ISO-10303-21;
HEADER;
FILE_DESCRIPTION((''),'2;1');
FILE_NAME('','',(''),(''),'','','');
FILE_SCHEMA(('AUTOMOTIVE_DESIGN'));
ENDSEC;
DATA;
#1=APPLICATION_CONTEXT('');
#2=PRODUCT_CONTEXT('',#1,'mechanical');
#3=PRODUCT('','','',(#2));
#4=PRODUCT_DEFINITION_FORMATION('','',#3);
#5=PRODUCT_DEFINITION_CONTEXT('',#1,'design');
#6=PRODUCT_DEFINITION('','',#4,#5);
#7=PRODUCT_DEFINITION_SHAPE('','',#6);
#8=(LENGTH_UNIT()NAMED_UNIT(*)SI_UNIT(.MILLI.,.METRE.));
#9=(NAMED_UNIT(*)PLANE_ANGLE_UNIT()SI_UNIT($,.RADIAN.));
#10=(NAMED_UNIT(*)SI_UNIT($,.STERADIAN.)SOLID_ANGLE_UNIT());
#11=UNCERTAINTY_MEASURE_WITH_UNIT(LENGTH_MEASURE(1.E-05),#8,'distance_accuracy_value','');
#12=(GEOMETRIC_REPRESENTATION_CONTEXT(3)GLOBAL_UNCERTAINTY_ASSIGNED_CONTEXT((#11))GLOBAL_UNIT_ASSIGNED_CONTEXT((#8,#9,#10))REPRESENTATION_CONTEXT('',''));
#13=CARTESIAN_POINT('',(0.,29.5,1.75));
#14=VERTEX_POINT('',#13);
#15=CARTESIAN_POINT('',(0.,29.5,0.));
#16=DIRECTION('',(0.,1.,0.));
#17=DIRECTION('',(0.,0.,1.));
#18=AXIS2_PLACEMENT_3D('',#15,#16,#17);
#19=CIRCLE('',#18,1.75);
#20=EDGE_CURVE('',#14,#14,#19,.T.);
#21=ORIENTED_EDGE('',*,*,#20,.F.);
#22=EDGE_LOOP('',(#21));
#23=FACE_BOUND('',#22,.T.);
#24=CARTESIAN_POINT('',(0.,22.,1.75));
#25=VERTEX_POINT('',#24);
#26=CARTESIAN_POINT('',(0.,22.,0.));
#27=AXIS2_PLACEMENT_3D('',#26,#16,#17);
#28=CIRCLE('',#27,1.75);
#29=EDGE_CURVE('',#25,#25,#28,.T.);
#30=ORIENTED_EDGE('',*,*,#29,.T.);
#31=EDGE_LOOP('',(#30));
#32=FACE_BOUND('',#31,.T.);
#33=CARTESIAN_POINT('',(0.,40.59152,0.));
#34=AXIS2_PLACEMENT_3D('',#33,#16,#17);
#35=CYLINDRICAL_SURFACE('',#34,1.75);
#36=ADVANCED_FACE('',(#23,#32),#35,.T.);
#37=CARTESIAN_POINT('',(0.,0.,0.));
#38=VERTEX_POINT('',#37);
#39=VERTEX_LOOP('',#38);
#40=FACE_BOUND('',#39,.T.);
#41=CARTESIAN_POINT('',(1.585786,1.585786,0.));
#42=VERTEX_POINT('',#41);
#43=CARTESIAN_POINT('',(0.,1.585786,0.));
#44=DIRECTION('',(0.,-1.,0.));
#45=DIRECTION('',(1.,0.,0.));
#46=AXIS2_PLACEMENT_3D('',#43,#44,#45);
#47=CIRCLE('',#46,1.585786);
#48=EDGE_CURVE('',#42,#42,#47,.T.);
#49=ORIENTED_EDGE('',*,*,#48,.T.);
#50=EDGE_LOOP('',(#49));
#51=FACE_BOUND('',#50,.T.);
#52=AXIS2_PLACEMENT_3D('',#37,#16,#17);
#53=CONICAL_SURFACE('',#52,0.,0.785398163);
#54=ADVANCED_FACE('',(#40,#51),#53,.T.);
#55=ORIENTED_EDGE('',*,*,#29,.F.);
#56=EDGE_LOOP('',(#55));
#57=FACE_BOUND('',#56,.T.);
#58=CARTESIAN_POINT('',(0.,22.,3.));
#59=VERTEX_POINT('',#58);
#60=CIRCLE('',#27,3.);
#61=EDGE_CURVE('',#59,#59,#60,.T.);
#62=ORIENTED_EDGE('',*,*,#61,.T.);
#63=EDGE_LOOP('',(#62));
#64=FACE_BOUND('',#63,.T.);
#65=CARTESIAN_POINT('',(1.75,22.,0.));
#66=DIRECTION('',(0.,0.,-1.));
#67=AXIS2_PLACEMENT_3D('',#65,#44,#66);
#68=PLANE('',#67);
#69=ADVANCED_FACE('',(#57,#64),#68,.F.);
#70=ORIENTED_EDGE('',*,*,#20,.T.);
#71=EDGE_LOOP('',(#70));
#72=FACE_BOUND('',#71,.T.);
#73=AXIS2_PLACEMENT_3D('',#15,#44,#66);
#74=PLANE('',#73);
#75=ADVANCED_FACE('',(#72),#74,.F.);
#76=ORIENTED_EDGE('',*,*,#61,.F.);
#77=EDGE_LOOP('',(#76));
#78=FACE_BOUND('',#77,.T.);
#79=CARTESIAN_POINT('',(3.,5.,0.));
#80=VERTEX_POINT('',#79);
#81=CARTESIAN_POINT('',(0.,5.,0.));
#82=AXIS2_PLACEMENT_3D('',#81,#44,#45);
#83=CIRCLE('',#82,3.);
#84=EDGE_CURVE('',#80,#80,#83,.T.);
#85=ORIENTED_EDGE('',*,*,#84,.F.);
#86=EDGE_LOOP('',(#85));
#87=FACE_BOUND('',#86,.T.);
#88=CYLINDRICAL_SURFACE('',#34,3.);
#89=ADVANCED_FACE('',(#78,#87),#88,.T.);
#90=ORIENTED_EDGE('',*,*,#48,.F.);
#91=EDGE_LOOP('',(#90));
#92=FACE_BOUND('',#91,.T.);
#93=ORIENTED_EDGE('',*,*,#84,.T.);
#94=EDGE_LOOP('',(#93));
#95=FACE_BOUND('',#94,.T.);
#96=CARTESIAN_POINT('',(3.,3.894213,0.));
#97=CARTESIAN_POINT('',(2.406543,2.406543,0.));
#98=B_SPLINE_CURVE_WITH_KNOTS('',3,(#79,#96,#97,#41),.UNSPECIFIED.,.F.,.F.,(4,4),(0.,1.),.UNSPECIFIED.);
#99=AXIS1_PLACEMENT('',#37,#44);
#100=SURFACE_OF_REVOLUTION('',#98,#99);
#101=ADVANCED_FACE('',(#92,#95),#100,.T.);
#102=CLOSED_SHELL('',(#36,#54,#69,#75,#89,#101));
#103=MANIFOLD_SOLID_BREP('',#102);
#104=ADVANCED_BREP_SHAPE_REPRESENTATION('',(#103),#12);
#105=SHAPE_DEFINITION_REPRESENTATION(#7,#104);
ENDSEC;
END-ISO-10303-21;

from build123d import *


with BuildPart() as part:
    # Sketch1 → Revolve1 (revolve)
    with BuildSketch(Plane.XY, mode=Mode.PRIVATE) as revolve1_sk:
        Polygon((0, 0), (0, 29.5), (1.75, 29.5), (1.75, 22), (3, 22), (3, 3), align=None)
    revolve(revolve1_sk.sketch.rotate(Axis((0, 40.591520335, 0), (0, -1, 0)), 90), axis=Axis((0, 40.591520335, 0), (0, -1, 0)))

    # Sketch2 → Cut-Revolve1 (revolve, cut)
    with BuildSketch(Plane.XY, mode=Mode.PRIVATE) as cut_revolve1_sk:
        with BuildLine():
            Line((3, 5), (3, 3))
            Line((3, 3), (1.585786438, 1.585786438))
            add(Edge.make_bspline(
                [(3, 5), (3, 3.894212959), (2.406543361, 2.406543361), (1.585786438, 1.585786438)],
                knots=[0, 0, 0, 0, 1, 1, 1, 1], degree=3))
        make_face()
    revolve(cut_revolve1_sk.sketch.rotate(Axis((0, 0, 0), (0, 1, 0)), 270), axis=Axis((0, 0, 0), (0, 1, 0)), mode=Mode.SUBTRACT)


solid = part.part
